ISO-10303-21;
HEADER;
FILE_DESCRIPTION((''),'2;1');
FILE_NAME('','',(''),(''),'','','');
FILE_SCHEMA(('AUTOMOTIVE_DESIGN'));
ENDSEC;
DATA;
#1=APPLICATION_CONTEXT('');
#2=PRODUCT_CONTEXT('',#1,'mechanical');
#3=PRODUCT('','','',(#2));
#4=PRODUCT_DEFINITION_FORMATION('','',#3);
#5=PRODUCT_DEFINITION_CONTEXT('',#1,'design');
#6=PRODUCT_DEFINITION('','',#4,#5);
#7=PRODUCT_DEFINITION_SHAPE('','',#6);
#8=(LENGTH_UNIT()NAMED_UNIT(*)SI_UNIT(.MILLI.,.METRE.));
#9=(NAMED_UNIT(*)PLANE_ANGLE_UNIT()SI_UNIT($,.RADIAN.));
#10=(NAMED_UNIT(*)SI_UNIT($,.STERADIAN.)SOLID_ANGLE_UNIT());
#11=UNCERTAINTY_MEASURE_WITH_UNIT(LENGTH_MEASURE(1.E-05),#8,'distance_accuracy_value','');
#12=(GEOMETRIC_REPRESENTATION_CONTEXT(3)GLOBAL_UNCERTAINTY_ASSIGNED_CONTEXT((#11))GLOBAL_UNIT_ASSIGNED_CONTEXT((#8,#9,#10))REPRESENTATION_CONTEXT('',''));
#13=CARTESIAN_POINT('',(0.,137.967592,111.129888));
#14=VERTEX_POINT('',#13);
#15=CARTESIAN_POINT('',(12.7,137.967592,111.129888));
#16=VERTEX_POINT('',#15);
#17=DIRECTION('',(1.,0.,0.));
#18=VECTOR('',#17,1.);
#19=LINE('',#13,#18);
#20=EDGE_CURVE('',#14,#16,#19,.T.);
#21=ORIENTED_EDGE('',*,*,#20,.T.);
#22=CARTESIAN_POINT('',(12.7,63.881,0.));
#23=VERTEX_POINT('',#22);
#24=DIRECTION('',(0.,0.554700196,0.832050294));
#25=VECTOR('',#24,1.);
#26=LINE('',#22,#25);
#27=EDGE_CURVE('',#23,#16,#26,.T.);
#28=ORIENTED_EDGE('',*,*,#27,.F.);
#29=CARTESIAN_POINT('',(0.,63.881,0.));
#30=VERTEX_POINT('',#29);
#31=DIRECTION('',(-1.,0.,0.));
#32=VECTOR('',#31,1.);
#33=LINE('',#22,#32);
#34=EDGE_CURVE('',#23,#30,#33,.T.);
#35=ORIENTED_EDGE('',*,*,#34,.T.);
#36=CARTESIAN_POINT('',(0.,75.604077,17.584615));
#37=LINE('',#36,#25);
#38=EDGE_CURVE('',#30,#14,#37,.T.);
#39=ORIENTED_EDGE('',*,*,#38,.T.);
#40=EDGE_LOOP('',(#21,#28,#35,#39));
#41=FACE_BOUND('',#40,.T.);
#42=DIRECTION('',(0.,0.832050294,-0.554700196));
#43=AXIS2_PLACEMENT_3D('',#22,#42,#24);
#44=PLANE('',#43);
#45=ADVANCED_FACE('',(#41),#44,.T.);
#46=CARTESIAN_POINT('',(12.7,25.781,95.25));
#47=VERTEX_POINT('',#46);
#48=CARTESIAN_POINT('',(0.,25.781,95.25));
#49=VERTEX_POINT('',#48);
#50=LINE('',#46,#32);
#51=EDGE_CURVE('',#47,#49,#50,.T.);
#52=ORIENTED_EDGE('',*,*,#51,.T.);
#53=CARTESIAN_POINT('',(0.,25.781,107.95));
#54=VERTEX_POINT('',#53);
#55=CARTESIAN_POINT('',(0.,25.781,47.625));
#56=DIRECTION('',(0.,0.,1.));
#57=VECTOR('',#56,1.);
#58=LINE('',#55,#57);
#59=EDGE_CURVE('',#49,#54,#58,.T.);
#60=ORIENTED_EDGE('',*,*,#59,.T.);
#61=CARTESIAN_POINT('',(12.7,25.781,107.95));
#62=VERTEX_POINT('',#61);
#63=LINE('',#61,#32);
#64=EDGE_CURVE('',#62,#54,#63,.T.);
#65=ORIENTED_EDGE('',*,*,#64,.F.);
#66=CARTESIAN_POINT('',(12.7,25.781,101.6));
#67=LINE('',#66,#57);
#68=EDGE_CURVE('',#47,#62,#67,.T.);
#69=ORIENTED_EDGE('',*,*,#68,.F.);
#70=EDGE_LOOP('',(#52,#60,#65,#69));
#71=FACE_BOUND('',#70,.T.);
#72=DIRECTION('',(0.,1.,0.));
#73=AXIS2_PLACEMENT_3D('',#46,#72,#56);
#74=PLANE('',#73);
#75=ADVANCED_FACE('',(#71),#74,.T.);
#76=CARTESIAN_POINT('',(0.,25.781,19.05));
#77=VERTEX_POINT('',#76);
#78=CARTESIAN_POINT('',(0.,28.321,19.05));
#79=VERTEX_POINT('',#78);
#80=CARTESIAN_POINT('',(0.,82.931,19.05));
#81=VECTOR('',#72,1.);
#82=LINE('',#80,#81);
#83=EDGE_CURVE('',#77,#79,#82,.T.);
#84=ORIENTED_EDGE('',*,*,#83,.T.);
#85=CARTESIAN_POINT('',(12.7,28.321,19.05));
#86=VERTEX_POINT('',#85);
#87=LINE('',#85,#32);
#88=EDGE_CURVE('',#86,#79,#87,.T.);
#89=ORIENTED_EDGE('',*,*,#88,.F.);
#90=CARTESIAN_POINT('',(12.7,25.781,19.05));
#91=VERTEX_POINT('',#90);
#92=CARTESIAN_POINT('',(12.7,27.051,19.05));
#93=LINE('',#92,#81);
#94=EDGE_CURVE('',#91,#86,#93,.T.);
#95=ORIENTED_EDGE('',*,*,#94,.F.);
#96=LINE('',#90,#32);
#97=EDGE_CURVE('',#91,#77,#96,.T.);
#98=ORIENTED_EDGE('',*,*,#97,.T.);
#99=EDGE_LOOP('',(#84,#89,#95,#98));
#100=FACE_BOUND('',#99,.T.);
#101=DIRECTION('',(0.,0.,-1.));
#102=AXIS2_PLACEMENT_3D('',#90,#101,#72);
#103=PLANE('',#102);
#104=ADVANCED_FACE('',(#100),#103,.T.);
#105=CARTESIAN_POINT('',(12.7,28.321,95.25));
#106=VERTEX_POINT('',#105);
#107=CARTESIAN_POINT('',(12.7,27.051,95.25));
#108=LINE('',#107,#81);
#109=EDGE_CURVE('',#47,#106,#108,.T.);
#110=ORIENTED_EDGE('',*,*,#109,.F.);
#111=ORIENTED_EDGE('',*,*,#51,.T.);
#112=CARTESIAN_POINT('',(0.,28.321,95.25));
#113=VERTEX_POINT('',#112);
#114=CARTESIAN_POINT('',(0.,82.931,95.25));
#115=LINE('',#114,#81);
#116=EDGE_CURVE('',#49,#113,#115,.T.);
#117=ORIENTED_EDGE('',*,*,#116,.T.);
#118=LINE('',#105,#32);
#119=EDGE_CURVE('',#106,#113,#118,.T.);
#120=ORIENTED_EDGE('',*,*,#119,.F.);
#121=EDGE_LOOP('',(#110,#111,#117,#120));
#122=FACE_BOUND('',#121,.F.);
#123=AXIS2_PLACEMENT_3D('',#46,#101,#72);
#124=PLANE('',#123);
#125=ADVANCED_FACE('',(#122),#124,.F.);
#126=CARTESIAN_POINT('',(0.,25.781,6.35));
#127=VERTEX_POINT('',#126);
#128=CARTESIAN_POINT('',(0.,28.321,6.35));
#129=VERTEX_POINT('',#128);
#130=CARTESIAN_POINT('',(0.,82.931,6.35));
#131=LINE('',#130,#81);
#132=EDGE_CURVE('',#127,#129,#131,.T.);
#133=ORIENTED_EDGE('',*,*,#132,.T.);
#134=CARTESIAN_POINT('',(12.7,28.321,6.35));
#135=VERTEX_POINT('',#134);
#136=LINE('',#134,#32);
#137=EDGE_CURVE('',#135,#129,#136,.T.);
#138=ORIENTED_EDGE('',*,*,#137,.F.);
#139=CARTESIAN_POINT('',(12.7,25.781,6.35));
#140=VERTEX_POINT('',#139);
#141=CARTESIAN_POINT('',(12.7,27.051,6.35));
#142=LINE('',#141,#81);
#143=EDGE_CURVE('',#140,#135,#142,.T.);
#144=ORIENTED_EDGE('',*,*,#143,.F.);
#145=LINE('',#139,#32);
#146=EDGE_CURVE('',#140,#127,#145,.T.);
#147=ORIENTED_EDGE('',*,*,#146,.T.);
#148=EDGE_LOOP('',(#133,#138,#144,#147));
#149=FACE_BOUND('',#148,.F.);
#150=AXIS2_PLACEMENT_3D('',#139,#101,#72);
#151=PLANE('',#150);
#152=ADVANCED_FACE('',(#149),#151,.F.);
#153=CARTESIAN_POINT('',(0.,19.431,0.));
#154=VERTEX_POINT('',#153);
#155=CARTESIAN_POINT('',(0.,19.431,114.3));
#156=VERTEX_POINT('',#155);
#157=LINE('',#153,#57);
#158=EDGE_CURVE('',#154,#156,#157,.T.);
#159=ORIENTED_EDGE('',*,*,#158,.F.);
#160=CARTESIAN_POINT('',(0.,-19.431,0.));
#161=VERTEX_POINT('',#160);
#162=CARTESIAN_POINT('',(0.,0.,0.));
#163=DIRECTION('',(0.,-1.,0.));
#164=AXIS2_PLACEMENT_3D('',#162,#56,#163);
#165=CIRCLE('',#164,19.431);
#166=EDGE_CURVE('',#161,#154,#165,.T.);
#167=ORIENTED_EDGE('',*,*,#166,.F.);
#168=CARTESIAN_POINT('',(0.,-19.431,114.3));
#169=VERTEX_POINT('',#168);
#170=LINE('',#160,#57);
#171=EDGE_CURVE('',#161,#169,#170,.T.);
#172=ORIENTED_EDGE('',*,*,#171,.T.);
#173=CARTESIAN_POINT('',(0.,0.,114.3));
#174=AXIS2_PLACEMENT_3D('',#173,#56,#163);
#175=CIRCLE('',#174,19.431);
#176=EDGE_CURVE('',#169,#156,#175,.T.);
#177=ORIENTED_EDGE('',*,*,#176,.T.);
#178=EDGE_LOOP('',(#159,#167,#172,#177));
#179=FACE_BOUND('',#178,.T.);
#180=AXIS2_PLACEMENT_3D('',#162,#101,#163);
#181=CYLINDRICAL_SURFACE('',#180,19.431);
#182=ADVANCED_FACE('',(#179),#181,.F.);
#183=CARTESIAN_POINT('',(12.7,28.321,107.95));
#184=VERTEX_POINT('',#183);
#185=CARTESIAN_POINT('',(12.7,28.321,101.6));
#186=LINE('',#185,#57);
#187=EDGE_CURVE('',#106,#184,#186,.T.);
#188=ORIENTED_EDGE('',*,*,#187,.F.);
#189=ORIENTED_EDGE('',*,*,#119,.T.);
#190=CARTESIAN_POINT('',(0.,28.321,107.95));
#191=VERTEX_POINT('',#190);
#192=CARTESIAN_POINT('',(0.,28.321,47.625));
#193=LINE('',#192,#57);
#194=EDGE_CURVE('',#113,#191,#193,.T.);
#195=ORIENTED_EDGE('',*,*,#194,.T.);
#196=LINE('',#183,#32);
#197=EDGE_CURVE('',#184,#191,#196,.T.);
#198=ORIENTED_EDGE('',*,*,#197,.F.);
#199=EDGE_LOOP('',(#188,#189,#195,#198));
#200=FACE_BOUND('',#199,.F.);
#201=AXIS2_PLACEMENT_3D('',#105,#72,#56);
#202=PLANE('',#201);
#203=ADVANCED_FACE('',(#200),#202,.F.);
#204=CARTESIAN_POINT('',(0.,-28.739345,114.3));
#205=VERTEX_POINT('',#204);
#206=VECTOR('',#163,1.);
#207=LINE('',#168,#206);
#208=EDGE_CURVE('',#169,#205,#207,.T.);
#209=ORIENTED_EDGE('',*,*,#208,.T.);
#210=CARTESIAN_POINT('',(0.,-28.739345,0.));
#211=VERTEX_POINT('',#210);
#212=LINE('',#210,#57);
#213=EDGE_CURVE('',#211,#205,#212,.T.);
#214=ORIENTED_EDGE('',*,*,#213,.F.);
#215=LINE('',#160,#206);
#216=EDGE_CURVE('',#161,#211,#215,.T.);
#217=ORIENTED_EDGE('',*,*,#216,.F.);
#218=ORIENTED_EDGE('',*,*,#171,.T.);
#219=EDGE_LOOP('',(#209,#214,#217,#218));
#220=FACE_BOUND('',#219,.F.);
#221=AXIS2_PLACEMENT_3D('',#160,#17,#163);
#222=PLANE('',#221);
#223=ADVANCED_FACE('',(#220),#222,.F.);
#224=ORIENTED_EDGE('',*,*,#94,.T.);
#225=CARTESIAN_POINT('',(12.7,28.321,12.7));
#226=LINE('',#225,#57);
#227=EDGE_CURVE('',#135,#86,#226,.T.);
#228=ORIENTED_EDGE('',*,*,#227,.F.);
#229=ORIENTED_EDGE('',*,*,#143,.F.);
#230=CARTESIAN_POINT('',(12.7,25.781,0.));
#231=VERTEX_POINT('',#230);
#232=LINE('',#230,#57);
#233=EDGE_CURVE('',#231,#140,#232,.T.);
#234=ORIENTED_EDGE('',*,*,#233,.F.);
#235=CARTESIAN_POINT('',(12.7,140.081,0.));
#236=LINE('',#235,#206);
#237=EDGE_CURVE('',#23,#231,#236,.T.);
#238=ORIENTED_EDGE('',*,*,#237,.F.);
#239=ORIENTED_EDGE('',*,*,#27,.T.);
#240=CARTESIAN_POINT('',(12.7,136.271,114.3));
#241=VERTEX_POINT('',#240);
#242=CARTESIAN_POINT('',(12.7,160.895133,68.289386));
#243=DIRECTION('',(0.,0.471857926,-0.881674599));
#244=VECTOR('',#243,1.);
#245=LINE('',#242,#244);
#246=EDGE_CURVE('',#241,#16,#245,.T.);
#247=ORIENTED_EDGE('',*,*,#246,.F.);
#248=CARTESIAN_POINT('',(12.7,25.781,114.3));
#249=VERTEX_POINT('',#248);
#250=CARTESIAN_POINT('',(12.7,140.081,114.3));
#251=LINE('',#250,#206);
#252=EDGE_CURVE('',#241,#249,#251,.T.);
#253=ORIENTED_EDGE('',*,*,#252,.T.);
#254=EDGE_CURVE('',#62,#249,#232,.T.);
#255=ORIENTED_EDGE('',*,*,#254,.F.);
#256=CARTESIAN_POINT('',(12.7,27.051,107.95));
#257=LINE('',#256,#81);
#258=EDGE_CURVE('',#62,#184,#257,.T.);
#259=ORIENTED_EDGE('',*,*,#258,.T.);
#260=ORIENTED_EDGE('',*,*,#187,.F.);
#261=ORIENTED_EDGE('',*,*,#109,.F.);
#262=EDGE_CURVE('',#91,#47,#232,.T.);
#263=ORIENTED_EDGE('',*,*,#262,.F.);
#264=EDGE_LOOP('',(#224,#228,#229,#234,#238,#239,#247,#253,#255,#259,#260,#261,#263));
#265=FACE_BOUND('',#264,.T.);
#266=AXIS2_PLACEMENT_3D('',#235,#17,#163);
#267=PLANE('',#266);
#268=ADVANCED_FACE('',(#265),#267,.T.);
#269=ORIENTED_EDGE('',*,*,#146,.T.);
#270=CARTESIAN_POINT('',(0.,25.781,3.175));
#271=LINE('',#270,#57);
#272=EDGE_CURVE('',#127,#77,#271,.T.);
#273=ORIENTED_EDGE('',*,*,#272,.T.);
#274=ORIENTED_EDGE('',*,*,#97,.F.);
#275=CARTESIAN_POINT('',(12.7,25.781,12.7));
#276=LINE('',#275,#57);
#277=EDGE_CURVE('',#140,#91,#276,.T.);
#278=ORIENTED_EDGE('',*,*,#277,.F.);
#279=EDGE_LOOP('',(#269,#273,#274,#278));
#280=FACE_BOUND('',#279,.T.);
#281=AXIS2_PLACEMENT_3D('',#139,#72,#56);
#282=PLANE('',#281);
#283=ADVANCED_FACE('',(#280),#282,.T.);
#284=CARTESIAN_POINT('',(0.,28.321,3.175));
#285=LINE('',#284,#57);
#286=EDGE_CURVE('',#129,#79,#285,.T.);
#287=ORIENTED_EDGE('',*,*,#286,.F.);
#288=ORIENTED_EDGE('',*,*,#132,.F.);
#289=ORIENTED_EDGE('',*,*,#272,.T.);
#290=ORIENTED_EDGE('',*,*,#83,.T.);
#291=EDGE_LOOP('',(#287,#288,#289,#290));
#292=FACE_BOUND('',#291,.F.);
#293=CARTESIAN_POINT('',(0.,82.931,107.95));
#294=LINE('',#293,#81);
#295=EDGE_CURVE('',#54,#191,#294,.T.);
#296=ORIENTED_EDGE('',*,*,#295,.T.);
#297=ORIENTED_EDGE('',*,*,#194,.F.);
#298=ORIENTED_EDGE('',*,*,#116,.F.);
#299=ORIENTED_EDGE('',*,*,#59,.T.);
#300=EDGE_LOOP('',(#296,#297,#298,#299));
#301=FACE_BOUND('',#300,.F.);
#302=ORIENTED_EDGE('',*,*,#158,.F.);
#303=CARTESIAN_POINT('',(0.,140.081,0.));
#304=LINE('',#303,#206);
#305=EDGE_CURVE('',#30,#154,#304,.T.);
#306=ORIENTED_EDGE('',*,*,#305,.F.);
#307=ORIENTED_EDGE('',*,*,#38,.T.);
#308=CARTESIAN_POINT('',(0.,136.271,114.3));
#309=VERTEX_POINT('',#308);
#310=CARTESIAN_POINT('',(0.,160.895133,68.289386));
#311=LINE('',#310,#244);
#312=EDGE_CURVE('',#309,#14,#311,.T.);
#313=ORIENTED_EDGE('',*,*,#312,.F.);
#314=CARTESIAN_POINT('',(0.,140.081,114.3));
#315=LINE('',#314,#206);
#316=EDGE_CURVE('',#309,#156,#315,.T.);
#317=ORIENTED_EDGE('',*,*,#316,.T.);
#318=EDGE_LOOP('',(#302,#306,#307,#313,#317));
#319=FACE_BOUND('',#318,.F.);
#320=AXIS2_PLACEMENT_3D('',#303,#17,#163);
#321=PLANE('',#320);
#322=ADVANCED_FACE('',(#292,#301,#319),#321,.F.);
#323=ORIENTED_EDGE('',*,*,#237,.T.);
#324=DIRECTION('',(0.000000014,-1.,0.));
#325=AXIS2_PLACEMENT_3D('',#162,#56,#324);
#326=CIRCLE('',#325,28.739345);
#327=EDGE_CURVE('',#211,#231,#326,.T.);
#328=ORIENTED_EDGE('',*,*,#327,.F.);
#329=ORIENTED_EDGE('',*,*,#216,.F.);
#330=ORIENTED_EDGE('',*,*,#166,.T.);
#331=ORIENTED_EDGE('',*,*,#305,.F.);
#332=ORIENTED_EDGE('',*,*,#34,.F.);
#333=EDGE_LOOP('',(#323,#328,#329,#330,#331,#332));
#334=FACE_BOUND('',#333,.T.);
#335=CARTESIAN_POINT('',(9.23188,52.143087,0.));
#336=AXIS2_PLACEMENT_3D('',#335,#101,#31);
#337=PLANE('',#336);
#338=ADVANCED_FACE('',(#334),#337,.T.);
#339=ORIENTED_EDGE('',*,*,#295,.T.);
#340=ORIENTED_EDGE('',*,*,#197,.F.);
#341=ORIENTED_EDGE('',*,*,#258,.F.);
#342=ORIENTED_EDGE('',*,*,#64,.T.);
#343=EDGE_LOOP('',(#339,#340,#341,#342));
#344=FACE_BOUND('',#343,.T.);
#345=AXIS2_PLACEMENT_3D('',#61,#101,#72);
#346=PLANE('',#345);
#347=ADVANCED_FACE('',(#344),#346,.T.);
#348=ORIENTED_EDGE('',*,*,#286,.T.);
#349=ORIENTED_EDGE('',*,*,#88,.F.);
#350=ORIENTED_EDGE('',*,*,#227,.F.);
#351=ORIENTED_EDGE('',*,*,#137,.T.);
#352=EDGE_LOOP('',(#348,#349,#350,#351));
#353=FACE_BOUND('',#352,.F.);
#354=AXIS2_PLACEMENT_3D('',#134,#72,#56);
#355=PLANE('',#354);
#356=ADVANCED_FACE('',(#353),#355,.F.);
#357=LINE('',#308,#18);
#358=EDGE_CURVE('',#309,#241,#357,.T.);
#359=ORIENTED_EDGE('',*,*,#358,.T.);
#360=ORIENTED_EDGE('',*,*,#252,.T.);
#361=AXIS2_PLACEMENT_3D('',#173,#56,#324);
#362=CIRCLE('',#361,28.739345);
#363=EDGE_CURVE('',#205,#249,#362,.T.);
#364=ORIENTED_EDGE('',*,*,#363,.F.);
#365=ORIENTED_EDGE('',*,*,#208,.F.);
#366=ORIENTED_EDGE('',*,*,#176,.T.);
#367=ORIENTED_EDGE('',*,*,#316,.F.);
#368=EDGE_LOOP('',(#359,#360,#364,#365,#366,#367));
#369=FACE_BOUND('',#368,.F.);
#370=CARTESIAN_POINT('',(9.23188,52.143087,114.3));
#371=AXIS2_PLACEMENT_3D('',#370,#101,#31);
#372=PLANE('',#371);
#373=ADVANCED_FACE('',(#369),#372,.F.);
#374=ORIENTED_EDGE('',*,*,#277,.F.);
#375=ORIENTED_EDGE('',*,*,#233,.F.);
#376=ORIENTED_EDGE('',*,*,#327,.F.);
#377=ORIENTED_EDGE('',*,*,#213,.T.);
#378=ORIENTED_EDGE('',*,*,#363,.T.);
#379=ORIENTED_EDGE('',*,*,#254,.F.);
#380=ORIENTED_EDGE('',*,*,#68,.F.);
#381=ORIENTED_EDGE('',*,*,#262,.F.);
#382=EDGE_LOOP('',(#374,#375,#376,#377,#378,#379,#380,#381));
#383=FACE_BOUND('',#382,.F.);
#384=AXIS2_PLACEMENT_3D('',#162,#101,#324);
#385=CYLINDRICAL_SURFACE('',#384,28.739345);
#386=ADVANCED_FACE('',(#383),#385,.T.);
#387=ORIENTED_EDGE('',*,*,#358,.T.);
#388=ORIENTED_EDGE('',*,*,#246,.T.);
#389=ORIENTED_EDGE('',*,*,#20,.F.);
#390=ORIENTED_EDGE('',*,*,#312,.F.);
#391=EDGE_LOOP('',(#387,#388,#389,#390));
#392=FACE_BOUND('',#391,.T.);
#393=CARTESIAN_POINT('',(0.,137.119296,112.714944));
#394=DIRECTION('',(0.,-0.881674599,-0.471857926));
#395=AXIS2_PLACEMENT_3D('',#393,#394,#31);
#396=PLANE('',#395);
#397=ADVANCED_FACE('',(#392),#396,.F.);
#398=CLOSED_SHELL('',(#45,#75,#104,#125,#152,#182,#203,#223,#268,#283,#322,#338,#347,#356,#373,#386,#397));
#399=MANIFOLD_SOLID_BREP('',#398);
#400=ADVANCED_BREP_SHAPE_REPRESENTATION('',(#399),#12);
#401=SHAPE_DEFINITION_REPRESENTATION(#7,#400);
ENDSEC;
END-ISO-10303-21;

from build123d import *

# Parameters (mm, degrees)
PAD_DEPTH       = 114.3
SKETCH001_W     = 2.54
SKETCH001_H     = 12.7
POCKET_DEPTH    = 12.701
POCKET001_DEPTH = 12.701
CHAMFER_SIZE    = 3.81


with BuildPart() as part:
    # Sketch → Pad (new body)
    with BuildSketch(Plane.XY):
        with BuildLine():
            Line((0, 140.081), (12.7, 140.081))
            Line((12.7, 140.081), (12.7, 25.781))
            ThreePointArc((0, -28.739345), (27.989989, -6.520004), (12.7, 25.781))
            Line((0, -19.431), (0, -28.739345))
            ThreePointArc((0, -19.431), (19.431, 0), (0, 19.431))
            Line((0, 140.081), (0, 19.431))
        make_face()
    extrude(amount=PAD_DEPTH)

    # Sketch001 (on Face2 of Pad) → Pocket (cut, through all)
    with BuildSketch(Plane.YZ.offset(12.7)):
        with Locations((27.051, 12.7)):
            Rectangle(SKETCH001_W, SKETCH001_H)
        with Locations((27.051, 101.6)):
            Rectangle(SKETCH001_W, SKETCH001_H)
    extrude(amount=-POCKET_DEPTH, mode=Mode.SUBTRACT)

    # Sketch002 → Pocket001 (cut, through all)
    with BuildSketch(Plane.YZ.offset(12.7)):
        Polygon((63.881, 0), (140.081, 114.3), (140.081, 0), align=None)
    extrude(amount=-POCKET001_DEPTH, mode=Mode.SUBTRACT)

    # Chamfer
    chamfer_edges = [part.edges().sort_by_distance(p)[0] for p in [
        (6.35, 140.081, 114.3),
    ]]
    chamfer(chamfer_edges, length=CHAMFER_SIZE)


solid = part.part
